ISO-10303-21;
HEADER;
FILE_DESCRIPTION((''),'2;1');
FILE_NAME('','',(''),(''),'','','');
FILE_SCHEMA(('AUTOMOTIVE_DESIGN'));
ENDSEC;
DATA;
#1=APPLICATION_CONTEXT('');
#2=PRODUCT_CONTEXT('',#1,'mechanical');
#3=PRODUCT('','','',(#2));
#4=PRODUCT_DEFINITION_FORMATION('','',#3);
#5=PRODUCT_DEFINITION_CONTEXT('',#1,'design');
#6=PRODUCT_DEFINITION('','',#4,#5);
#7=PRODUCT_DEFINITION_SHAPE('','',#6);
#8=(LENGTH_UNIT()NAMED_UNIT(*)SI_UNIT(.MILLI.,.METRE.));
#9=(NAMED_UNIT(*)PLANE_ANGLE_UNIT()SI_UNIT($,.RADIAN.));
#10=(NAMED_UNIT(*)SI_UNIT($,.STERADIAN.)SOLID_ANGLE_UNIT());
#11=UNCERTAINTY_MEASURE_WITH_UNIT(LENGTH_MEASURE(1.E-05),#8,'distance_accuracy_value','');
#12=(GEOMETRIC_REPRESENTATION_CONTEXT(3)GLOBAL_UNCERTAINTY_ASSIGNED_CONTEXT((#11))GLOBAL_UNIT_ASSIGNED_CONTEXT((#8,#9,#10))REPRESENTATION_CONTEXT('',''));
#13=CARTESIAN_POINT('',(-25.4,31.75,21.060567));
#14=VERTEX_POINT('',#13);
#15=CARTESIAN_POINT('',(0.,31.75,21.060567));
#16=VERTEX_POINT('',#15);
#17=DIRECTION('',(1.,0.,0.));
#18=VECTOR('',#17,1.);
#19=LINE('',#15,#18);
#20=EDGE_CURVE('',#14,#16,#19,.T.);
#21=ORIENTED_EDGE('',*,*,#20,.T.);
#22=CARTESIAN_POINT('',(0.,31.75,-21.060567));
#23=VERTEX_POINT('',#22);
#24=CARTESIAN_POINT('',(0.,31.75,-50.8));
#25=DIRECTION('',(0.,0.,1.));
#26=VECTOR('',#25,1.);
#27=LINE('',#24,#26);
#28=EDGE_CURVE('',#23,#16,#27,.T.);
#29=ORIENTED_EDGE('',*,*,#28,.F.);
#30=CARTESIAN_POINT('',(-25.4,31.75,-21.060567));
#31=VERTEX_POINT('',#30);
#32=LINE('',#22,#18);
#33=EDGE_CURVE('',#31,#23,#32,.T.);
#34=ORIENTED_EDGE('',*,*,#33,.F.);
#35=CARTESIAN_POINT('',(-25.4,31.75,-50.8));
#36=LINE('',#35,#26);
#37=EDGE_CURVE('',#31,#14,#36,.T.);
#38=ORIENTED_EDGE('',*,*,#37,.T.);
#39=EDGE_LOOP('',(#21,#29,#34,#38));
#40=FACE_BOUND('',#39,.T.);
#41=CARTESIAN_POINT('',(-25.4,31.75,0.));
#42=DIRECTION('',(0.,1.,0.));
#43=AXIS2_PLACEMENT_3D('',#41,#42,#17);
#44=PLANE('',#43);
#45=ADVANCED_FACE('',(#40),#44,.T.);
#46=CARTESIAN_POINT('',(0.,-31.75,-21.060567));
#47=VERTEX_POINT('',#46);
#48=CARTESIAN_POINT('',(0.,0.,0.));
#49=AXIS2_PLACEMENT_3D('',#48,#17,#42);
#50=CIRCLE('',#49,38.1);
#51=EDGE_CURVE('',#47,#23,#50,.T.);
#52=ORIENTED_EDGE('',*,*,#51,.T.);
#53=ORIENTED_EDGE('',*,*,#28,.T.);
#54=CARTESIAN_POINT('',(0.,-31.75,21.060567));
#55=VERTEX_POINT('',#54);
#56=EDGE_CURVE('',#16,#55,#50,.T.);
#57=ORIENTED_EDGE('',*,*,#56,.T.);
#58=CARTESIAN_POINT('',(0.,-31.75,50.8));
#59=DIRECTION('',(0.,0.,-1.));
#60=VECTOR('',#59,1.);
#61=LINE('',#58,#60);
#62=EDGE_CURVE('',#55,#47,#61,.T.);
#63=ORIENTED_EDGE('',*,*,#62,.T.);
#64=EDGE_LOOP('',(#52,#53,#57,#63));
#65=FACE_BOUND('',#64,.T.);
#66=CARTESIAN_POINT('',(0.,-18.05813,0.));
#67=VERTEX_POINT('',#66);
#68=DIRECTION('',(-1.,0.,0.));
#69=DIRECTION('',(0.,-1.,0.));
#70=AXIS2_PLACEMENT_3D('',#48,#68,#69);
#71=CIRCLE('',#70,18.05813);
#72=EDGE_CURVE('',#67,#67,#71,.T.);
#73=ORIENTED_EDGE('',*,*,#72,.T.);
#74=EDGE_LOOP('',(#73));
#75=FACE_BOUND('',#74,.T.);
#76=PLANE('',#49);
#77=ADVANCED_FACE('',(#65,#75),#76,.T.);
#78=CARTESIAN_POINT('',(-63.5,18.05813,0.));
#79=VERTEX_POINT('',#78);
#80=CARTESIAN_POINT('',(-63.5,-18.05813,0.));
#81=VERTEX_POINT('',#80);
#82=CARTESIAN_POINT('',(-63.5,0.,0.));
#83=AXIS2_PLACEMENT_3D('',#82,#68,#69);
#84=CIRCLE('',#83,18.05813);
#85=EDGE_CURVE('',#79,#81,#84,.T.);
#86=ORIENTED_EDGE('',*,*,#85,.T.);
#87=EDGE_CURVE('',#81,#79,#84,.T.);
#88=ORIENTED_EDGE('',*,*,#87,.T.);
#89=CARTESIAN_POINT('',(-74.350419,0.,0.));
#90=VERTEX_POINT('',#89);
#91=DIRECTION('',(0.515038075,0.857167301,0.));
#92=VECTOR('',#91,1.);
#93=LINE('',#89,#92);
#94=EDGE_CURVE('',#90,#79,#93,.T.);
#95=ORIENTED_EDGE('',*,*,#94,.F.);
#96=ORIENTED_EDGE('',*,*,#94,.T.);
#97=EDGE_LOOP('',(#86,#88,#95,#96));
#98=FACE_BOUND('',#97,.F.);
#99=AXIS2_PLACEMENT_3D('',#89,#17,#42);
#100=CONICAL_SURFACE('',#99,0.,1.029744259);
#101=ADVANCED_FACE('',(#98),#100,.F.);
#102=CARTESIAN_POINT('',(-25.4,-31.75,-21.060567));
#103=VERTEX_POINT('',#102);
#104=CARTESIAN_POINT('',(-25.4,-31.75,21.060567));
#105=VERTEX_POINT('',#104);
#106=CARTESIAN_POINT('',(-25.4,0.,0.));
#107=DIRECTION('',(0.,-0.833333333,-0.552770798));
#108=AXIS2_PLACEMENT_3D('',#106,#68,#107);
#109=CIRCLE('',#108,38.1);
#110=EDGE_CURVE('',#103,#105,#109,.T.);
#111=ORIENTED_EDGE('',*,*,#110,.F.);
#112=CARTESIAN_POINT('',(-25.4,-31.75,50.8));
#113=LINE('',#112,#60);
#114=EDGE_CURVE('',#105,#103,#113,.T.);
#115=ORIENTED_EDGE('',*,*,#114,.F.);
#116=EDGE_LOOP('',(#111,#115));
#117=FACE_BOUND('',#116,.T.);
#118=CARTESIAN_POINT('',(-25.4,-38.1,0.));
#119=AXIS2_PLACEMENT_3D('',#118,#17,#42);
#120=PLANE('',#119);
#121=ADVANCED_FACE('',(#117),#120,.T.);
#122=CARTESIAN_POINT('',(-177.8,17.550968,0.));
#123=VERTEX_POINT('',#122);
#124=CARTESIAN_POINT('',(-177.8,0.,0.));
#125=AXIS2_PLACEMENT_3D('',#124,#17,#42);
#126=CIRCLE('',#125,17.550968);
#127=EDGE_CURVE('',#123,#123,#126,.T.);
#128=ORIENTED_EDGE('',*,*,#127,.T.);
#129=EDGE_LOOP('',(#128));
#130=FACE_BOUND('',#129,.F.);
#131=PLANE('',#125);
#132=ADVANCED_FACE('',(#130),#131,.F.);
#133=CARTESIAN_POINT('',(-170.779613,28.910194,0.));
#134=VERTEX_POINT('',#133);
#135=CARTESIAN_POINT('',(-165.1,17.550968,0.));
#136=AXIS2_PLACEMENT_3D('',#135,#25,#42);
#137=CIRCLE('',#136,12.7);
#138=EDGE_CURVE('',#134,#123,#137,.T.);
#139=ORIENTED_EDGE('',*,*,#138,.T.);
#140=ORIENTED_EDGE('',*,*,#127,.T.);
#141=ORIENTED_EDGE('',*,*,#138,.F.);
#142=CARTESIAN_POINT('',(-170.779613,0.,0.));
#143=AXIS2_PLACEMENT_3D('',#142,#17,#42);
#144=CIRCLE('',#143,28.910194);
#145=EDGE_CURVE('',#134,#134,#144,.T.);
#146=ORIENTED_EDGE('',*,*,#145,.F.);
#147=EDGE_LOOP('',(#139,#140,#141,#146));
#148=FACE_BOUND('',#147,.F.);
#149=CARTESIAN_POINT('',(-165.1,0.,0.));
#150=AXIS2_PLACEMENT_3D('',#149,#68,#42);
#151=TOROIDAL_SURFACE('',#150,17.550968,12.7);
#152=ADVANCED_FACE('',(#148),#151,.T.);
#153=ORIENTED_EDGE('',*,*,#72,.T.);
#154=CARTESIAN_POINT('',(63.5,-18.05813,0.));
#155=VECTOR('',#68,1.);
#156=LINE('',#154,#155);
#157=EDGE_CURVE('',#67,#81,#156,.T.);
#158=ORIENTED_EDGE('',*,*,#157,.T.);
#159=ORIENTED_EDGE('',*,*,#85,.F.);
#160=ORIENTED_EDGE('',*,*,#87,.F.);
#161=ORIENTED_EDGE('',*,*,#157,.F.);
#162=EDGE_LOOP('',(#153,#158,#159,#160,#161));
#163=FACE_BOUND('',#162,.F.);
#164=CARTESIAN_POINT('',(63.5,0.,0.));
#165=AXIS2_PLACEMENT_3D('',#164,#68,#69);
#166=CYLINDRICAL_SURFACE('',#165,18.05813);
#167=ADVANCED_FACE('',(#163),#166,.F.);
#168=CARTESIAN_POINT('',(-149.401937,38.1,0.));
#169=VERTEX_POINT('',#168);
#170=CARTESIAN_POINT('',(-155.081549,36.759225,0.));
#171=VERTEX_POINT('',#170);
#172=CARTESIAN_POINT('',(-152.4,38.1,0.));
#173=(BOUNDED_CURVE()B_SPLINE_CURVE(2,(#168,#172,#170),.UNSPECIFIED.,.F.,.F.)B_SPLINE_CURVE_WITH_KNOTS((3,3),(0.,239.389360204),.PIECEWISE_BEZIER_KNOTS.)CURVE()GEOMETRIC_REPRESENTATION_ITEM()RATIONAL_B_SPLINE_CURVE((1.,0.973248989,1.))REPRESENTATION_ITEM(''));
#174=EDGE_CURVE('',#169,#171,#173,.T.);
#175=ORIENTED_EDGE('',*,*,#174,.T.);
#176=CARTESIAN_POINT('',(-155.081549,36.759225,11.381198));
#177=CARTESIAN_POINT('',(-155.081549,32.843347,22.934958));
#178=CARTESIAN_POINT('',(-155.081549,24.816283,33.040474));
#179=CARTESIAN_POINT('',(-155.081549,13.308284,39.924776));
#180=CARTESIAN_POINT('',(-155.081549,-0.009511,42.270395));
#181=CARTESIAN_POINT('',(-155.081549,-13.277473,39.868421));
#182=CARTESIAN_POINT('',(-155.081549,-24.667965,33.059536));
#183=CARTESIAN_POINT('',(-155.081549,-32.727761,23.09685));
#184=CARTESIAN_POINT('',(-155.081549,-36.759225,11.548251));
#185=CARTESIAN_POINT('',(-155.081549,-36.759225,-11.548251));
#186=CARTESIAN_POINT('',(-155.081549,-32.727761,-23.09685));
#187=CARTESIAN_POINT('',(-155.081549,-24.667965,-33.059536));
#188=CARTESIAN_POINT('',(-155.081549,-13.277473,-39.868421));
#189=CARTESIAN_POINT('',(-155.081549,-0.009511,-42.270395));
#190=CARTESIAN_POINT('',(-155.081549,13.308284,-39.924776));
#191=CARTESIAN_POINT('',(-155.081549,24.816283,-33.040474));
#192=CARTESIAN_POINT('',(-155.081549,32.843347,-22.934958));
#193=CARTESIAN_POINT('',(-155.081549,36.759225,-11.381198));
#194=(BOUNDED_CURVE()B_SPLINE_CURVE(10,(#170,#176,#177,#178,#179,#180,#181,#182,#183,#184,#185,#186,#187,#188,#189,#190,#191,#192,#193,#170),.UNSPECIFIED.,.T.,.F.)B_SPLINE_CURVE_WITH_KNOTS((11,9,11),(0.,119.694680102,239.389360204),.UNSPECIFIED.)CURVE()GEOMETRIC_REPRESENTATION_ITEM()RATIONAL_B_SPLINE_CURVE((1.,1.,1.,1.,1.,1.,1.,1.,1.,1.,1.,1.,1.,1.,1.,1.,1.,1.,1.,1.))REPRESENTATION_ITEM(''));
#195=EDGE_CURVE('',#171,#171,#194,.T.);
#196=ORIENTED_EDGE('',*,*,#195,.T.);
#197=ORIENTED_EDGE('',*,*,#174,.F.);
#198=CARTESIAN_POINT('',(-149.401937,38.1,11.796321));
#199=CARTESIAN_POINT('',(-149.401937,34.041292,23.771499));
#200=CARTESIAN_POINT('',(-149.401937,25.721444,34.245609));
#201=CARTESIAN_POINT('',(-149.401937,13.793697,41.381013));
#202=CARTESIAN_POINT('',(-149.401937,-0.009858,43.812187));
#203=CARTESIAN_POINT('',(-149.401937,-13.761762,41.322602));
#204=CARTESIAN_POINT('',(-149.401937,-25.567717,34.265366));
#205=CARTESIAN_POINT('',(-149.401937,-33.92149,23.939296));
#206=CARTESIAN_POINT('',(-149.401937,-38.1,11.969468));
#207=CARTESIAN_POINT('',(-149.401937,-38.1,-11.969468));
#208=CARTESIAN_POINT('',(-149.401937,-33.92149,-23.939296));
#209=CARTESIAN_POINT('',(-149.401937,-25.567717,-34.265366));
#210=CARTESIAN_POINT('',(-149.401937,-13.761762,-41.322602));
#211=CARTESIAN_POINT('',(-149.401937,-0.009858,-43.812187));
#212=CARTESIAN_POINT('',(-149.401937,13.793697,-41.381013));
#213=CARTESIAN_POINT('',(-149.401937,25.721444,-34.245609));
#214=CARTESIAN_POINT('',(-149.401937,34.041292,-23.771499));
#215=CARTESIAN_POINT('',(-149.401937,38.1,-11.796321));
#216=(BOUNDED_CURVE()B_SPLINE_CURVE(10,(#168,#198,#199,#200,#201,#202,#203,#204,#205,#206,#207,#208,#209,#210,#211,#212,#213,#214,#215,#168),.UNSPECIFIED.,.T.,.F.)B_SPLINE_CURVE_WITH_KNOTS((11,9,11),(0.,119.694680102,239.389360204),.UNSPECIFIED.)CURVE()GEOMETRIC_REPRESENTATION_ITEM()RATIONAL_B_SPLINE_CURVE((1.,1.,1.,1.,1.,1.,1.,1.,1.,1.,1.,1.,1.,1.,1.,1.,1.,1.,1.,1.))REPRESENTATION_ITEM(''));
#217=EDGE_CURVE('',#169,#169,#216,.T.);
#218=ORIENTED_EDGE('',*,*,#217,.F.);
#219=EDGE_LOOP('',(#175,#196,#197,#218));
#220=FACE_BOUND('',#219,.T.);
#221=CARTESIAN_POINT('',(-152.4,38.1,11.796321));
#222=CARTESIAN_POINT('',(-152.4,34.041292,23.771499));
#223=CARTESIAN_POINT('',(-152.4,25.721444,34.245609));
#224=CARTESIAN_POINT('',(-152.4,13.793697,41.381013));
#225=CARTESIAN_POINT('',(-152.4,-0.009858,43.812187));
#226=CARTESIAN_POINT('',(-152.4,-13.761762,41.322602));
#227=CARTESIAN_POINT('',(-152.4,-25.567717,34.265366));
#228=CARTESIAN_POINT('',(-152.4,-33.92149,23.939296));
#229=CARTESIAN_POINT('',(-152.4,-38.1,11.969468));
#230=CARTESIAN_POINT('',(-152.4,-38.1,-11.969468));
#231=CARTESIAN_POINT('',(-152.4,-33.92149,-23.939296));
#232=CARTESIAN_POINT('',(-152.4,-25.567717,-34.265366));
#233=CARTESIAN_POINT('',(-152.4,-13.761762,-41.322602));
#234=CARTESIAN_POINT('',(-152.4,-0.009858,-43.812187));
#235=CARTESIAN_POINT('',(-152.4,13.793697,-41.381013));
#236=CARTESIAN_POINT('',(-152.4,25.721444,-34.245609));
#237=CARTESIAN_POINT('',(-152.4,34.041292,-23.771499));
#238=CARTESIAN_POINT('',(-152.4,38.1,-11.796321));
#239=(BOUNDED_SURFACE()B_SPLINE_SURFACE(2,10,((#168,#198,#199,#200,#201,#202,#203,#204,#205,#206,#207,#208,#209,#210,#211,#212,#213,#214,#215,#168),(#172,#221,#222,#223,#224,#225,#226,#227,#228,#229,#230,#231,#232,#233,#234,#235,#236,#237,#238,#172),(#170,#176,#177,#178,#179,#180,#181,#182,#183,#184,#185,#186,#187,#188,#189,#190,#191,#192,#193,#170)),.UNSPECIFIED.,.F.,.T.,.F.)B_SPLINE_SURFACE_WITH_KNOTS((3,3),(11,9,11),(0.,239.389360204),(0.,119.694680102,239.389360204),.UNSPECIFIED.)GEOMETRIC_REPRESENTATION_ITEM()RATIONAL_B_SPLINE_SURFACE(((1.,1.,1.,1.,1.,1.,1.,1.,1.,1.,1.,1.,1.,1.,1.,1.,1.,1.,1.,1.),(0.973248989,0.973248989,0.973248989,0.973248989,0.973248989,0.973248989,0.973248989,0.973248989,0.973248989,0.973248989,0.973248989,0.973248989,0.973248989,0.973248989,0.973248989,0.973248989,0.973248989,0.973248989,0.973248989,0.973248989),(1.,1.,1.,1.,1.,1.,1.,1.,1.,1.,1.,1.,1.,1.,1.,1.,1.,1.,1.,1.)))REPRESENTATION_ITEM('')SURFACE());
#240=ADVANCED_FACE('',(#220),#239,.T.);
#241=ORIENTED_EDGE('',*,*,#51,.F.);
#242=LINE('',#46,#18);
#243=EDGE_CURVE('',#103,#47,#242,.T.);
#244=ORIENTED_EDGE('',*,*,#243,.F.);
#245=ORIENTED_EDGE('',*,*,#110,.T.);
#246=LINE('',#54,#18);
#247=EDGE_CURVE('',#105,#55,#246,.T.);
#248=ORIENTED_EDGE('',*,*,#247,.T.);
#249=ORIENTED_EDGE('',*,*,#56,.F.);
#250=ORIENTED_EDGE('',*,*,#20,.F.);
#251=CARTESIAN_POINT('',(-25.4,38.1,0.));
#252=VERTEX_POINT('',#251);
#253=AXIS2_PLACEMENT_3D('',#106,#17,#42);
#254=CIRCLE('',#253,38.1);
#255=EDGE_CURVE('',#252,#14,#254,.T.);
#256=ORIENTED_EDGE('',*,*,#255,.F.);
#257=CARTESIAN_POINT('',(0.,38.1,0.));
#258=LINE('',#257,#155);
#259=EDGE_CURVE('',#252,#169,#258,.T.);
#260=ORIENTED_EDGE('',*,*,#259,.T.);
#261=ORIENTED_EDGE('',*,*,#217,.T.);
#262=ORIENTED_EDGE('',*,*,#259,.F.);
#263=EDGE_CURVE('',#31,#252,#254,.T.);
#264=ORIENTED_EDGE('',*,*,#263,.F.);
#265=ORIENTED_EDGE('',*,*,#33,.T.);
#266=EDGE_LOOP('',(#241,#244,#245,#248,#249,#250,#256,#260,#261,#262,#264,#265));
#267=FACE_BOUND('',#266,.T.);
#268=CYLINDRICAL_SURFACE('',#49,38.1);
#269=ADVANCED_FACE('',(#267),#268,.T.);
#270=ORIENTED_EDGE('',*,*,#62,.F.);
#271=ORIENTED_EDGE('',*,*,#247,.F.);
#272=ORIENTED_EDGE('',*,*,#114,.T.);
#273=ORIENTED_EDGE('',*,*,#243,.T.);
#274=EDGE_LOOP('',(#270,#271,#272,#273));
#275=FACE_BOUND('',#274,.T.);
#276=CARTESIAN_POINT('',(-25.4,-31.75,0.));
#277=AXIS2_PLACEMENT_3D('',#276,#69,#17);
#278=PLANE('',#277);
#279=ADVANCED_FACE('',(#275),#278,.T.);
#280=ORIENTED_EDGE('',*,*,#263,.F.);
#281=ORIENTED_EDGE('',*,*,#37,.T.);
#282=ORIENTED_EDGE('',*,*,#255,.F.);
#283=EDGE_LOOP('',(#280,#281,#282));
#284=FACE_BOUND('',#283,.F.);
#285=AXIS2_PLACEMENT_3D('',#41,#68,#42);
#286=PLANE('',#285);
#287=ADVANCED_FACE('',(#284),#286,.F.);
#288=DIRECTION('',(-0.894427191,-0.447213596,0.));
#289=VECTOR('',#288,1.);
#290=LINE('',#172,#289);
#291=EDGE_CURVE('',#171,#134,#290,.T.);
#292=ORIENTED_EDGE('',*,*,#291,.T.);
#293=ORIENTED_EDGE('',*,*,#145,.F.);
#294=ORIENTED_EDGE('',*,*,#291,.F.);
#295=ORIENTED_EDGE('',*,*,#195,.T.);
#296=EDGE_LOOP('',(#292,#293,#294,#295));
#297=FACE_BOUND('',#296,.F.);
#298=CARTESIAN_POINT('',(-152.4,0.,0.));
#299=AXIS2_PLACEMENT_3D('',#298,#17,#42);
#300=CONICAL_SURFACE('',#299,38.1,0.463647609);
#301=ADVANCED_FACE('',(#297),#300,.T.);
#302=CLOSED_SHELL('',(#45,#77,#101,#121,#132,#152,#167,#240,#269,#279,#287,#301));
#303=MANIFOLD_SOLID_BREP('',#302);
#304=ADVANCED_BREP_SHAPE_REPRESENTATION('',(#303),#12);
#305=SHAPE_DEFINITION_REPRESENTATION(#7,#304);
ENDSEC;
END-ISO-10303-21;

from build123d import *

# Parameters (mm, degrees)
F0_R     = 38.1
F1_DEPTH = 177.8
F4_D     = 36.11626
F4_DEPTH = 63.5
F4_TIP   = 10.8504191703
F5_SIZE2 = 12.7
F5_SIZE  = 25.4
F6_R     = 12.7
F7_W     = 25.4
F7_H     = 6.35
F8_DEPTH = 50.8


with BuildPart() as f1:
    # F0 (on Right) → F1 (new body)
    with BuildSketch(Plane.YZ):
        Circle(F0_R)
    extrude(amount=-F1_DEPTH)

    # F4
    with Locations(Plane.YZ):
        with Locations((0, 0)):
            Hole(F4_D / 2, depth=F4_DEPTH)
            with Locations((0, 0, -(F4_DEPTH + F4_TIP / 2))):  # 118° drill point
                Cone(0, F4_D / 2, F4_TIP, mode=Mode.SUBTRACT)

    # F5
    f5_edges = [f1.edges().sort_by_distance(p)[0] for p in [
        (-177.8, -38.1, 0),
    ]]
    f5_side = f1.faces().sort_by_distance((-88.9, -38.1, 0))[0]
    chamfer(f5_edges, length=F5_SIZE, length2=F5_SIZE2, reference=f5_side)

    # F6
    f6_edges = [f1.edges().sort_by_distance(p)[0] for p in [
        (-177.8, -25.4, 0),
        (-152.4, -38.1, 0),
    ]]
    fillet(f6_edges, radius=F6_R)

    # F7 (on Top) → F8 (cut, symmetric)
    with BuildSketch(Plane.XY):
        with Locations((-12.7, 34.925)):
            Rectangle(F7_W, F7_H)
        with Locations((-12.7, -34.925)):
            Rectangle(F7_W, F7_H)
    extrude(amount=F8_DEPTH, both=True, mode=Mode.SUBTRACT)


solid = f1.part
